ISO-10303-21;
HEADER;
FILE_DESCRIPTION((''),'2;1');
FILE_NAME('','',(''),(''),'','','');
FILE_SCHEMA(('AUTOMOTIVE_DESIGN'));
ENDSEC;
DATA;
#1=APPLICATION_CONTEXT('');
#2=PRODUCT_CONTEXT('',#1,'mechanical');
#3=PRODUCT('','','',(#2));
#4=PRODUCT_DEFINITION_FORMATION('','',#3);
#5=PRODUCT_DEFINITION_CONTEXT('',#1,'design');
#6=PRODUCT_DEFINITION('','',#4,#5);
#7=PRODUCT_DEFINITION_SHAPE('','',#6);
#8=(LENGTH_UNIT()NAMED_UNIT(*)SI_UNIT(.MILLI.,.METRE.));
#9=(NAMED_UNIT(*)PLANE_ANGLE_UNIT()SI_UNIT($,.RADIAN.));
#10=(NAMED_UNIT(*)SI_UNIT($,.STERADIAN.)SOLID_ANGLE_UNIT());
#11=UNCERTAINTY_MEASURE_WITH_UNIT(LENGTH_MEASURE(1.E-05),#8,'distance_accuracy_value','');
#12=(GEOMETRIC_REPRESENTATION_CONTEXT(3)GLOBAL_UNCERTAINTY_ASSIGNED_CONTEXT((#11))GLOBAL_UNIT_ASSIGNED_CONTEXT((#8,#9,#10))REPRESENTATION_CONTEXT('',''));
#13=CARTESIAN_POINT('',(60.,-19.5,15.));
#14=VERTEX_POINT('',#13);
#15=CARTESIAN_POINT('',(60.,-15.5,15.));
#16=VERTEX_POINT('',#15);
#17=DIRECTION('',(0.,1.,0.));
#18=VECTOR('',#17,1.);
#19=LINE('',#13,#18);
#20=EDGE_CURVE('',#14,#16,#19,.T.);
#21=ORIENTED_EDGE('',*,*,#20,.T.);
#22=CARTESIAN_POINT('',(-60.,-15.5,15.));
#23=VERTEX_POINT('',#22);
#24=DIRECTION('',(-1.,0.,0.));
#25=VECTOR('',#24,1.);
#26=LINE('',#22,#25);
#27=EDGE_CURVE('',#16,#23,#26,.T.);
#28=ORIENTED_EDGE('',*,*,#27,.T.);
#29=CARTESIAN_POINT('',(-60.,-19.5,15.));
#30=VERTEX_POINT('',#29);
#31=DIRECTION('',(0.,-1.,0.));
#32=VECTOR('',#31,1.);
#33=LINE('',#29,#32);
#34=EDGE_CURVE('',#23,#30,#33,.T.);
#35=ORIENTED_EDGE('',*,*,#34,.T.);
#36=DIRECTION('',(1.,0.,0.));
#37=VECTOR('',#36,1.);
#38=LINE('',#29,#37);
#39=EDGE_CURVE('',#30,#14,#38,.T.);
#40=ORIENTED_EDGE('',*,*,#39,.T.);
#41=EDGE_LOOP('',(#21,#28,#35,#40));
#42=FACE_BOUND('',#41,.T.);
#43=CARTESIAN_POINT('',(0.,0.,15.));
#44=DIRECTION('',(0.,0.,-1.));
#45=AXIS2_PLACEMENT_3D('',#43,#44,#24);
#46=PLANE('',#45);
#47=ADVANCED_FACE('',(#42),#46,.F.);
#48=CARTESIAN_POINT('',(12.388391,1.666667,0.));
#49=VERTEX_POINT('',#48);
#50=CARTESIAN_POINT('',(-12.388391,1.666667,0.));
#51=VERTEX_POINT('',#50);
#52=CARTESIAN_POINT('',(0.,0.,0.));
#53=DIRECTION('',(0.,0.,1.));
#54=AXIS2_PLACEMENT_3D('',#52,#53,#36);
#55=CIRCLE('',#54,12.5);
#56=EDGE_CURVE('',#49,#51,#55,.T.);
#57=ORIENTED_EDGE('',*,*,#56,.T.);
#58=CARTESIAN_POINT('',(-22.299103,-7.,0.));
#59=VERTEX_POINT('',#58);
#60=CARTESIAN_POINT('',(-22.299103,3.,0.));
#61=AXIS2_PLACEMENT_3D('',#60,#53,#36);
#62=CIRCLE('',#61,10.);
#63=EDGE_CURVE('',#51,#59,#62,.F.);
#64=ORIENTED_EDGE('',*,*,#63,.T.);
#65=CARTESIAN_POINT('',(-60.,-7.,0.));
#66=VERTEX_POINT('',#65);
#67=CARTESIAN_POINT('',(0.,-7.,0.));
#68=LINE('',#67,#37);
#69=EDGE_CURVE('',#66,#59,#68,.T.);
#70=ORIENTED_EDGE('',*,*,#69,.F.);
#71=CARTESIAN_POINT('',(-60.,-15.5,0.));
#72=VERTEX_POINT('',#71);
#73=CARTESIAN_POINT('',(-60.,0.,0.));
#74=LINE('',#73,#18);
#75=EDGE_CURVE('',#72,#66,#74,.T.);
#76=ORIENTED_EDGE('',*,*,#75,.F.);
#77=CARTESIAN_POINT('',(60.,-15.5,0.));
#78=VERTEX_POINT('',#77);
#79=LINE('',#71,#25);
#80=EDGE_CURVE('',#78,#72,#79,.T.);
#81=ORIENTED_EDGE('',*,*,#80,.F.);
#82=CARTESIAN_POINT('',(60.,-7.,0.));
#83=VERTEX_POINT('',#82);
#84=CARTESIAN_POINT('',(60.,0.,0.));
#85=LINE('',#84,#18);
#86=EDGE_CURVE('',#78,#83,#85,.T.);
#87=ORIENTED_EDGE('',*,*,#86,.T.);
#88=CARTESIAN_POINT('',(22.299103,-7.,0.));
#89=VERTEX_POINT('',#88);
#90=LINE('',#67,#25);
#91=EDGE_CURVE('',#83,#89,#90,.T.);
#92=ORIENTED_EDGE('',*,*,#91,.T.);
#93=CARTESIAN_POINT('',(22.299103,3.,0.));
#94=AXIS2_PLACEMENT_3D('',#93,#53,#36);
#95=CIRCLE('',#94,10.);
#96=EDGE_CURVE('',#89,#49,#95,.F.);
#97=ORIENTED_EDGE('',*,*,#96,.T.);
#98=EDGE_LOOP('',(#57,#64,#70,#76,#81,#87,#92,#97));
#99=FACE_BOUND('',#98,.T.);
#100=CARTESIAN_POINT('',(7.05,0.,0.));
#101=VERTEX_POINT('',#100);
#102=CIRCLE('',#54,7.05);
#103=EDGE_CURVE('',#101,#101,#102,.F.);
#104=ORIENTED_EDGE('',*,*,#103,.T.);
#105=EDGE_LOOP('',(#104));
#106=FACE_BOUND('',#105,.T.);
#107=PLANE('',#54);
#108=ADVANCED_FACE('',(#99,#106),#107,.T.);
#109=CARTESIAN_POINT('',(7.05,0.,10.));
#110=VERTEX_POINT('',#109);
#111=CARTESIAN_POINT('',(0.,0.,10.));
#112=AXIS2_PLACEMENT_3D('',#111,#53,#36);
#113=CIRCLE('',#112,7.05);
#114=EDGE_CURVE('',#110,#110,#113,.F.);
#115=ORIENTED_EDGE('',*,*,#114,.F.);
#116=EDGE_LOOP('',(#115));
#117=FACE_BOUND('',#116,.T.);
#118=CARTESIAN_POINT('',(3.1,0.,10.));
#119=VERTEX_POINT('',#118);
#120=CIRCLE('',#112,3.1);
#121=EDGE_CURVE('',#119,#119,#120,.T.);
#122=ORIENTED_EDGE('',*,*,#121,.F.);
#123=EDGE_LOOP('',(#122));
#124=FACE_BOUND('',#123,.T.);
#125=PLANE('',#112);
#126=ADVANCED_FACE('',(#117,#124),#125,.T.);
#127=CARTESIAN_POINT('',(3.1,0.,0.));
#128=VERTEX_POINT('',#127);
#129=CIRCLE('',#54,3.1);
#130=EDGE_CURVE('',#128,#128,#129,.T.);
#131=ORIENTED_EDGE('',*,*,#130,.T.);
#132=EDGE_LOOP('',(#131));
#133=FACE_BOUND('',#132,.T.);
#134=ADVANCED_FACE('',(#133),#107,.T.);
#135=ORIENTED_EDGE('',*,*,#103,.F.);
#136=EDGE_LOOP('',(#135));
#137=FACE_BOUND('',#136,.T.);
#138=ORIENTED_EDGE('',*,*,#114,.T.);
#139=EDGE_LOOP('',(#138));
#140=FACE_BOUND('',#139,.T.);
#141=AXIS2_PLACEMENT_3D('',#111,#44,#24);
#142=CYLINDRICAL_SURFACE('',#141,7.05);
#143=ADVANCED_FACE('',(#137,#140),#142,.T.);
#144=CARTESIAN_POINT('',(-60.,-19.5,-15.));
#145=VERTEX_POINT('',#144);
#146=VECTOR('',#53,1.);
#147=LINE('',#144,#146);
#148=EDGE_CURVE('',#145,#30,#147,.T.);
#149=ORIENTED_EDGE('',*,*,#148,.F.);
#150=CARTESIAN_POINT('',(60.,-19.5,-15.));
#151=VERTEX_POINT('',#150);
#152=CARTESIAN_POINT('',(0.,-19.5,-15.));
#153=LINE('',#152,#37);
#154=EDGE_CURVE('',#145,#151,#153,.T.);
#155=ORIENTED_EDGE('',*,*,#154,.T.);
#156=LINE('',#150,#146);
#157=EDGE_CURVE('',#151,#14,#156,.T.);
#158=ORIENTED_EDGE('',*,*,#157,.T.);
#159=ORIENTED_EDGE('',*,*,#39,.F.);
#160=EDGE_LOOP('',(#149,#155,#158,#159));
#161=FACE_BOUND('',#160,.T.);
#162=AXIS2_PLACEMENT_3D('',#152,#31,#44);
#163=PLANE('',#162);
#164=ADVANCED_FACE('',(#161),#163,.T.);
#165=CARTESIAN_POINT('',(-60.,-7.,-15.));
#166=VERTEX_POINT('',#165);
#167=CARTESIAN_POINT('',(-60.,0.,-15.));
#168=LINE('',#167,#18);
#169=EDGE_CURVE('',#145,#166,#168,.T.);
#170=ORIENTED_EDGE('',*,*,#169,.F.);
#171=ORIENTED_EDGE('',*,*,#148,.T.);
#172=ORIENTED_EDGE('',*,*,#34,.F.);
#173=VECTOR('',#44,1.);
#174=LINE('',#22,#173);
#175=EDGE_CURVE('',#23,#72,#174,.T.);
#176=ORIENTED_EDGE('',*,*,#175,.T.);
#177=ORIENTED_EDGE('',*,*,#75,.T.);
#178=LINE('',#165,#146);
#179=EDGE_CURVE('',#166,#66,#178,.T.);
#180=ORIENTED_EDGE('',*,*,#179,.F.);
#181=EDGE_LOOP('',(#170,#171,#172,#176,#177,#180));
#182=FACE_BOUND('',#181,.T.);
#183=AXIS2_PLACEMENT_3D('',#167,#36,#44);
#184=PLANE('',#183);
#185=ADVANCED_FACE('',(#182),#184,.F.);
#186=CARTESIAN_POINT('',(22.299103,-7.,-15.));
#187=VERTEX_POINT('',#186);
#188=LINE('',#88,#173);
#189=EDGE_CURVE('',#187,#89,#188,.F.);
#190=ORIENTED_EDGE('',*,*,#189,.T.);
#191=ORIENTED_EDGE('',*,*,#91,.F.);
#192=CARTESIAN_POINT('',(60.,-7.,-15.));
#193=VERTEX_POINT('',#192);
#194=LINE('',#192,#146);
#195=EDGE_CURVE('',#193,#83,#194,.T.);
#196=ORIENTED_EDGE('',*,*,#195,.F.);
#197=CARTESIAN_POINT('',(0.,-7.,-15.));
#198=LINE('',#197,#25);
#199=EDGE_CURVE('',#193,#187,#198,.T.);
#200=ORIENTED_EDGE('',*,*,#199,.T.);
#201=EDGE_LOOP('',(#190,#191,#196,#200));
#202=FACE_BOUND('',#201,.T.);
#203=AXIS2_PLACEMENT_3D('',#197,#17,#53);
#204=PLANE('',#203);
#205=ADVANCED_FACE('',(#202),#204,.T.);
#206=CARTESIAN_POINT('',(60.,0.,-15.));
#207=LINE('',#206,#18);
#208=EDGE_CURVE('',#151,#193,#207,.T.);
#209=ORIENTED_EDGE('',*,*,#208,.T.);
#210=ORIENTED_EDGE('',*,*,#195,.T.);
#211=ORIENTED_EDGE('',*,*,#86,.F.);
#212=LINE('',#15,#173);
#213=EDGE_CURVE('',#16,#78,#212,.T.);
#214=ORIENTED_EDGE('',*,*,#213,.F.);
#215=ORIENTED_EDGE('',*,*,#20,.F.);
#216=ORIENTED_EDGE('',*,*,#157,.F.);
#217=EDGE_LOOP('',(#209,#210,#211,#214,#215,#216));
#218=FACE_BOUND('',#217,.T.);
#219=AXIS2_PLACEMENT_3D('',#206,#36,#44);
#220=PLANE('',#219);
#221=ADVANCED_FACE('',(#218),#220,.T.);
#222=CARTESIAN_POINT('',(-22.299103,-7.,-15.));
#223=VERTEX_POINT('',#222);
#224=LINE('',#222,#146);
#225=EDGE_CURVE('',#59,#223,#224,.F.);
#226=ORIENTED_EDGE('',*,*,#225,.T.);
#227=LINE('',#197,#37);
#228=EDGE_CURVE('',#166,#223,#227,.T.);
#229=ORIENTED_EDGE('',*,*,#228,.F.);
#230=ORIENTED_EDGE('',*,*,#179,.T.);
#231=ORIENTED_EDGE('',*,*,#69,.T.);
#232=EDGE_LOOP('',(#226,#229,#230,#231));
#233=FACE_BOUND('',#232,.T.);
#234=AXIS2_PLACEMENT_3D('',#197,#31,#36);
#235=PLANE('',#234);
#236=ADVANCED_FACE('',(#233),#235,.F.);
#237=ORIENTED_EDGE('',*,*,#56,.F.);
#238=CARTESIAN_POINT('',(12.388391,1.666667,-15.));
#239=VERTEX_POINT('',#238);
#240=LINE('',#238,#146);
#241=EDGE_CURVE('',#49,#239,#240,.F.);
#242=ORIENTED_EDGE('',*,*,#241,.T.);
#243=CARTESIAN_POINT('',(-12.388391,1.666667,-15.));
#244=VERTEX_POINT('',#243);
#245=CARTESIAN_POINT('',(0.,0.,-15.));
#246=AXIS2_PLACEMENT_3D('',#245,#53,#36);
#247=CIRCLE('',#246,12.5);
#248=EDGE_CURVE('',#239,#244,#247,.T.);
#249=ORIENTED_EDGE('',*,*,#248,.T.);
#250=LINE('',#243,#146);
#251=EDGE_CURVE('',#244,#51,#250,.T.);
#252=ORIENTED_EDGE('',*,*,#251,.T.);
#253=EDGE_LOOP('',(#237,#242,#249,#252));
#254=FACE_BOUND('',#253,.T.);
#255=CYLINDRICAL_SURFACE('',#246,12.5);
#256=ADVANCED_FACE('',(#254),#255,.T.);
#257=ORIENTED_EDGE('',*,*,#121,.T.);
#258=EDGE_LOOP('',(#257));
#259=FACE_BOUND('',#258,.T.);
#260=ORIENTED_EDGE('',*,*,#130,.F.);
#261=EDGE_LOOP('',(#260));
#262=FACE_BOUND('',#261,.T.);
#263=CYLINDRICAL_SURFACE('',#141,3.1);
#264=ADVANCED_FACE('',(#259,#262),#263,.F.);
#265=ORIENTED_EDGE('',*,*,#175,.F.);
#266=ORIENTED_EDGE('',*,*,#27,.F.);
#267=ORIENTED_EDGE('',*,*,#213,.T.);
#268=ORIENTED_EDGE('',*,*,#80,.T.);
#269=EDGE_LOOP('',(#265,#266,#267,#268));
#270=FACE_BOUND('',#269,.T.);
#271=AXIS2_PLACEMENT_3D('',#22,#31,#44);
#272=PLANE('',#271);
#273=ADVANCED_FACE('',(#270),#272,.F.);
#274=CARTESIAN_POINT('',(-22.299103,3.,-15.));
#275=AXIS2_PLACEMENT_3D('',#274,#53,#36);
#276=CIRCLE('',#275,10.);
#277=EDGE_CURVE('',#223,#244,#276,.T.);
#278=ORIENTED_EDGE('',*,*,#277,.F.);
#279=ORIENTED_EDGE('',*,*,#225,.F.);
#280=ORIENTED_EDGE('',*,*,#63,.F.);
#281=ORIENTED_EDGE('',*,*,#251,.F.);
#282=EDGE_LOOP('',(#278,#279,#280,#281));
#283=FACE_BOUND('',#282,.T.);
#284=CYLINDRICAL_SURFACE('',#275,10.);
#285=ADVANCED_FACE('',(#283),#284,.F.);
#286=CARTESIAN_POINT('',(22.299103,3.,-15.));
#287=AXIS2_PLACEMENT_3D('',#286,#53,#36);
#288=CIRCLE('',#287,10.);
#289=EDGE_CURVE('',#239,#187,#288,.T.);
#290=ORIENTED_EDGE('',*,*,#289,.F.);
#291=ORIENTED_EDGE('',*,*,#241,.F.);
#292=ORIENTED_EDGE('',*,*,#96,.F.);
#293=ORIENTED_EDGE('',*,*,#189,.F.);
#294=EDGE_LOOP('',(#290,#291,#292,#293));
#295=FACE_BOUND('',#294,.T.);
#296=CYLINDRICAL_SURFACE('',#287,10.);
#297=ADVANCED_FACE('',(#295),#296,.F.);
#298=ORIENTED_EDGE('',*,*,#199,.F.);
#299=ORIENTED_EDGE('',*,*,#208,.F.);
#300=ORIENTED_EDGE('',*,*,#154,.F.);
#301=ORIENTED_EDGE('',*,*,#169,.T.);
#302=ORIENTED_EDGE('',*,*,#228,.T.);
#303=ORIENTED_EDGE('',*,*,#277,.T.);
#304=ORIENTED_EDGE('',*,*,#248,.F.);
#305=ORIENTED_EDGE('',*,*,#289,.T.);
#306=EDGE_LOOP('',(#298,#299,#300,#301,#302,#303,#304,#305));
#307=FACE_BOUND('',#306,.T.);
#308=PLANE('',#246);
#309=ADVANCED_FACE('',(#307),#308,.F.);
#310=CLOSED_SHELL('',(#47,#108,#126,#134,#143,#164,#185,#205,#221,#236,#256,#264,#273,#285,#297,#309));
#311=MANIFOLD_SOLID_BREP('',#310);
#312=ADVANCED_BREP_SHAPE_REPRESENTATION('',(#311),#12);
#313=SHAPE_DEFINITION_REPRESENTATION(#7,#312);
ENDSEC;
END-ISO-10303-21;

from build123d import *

# Parameters (mm, degrees)
BOSS_EXTRUDE1_DEPTH = 10
BOSS_EXTRUDE2_DEPTH = 15
FILLET1_R           = 10
SKETCH3_W           = 120
SKETCH3_H           = 4
BOSS_EXTRUDE3_DEPTH = 15


with BuildPart() as part:
    # Sketch1 → Boss-Extrude1 (new body)
    with BuildSketch(Plane.XY):
        with BuildLine():
            ThreePointArc((-4.079215611, 5.75), (0, 7.05), (4.079215611, 5.75))
            Line((4.079215611, 5.75), (-4.079215611, 5.75))
        make_face()
        with BuildLine():
            Line((-4.079215611, 5.75), (4.079215611, 5.75))
            ThreePointArc((4.079215611, 5.75), (0, -7.05), (-4.079215611, 5.75))
        make_face()
        with BuildLine():
            ThreePointArc((-2.554236133, 1.756666667), (0, -3.1), (2.554236133, 1.756666667))
            ThreePointArc((2.554236133, 1.756666667), (0, 3.1), (-2.554236133, 1.756666667))
        make_face(mode=Mode.SUBTRACT)
    extrude(amount=BOSS_EXTRUDE1_DEPTH)

    # Sketch2 → Boss-Extrude2 (add)
    with BuildSketch(Plane(origin=(0, 0, 0), x_dir=(-1, 0, 0), z_dir=(0, 0, -1))):
        with BuildLine():
            Line((-60, -19.5), (60, -19.5))
            Line((60, -19.5), (60, -7))
            Line((60, -7), (12.5, -7))
            Line((12.5, -7), (12.5, 0))
            ThreePointArc((12.5, 0), (0, 12.5), (-12.5, 0))
            Line((-12.5, 0), (-12.5, -7))
            Line((-12.5, -7), (-60, -7))
            Line((-60, -7), (-60, -19.5))
        make_face()
    extrude(amount=BOSS_EXTRUDE2_DEPTH)

    # Fillet1
    fillet1_edges = [part.edges().sort_by_distance(p)[0] for p in [
        (-12.5, -7, -7.5),
        (12.5, -7, -7.5),
    ]]
    fillet(fillet1_edges, radius=FILLET1_R)

    # Sketch3 → Boss-Extrude3 (add)
    with BuildSketch(Plane.XY):
        with Locations((0, -17.5)):
            Rectangle(SKETCH3_W, SKETCH3_H)
    extrude(amount=BOSS_EXTRUDE3_DEPTH)


solid = part.part
